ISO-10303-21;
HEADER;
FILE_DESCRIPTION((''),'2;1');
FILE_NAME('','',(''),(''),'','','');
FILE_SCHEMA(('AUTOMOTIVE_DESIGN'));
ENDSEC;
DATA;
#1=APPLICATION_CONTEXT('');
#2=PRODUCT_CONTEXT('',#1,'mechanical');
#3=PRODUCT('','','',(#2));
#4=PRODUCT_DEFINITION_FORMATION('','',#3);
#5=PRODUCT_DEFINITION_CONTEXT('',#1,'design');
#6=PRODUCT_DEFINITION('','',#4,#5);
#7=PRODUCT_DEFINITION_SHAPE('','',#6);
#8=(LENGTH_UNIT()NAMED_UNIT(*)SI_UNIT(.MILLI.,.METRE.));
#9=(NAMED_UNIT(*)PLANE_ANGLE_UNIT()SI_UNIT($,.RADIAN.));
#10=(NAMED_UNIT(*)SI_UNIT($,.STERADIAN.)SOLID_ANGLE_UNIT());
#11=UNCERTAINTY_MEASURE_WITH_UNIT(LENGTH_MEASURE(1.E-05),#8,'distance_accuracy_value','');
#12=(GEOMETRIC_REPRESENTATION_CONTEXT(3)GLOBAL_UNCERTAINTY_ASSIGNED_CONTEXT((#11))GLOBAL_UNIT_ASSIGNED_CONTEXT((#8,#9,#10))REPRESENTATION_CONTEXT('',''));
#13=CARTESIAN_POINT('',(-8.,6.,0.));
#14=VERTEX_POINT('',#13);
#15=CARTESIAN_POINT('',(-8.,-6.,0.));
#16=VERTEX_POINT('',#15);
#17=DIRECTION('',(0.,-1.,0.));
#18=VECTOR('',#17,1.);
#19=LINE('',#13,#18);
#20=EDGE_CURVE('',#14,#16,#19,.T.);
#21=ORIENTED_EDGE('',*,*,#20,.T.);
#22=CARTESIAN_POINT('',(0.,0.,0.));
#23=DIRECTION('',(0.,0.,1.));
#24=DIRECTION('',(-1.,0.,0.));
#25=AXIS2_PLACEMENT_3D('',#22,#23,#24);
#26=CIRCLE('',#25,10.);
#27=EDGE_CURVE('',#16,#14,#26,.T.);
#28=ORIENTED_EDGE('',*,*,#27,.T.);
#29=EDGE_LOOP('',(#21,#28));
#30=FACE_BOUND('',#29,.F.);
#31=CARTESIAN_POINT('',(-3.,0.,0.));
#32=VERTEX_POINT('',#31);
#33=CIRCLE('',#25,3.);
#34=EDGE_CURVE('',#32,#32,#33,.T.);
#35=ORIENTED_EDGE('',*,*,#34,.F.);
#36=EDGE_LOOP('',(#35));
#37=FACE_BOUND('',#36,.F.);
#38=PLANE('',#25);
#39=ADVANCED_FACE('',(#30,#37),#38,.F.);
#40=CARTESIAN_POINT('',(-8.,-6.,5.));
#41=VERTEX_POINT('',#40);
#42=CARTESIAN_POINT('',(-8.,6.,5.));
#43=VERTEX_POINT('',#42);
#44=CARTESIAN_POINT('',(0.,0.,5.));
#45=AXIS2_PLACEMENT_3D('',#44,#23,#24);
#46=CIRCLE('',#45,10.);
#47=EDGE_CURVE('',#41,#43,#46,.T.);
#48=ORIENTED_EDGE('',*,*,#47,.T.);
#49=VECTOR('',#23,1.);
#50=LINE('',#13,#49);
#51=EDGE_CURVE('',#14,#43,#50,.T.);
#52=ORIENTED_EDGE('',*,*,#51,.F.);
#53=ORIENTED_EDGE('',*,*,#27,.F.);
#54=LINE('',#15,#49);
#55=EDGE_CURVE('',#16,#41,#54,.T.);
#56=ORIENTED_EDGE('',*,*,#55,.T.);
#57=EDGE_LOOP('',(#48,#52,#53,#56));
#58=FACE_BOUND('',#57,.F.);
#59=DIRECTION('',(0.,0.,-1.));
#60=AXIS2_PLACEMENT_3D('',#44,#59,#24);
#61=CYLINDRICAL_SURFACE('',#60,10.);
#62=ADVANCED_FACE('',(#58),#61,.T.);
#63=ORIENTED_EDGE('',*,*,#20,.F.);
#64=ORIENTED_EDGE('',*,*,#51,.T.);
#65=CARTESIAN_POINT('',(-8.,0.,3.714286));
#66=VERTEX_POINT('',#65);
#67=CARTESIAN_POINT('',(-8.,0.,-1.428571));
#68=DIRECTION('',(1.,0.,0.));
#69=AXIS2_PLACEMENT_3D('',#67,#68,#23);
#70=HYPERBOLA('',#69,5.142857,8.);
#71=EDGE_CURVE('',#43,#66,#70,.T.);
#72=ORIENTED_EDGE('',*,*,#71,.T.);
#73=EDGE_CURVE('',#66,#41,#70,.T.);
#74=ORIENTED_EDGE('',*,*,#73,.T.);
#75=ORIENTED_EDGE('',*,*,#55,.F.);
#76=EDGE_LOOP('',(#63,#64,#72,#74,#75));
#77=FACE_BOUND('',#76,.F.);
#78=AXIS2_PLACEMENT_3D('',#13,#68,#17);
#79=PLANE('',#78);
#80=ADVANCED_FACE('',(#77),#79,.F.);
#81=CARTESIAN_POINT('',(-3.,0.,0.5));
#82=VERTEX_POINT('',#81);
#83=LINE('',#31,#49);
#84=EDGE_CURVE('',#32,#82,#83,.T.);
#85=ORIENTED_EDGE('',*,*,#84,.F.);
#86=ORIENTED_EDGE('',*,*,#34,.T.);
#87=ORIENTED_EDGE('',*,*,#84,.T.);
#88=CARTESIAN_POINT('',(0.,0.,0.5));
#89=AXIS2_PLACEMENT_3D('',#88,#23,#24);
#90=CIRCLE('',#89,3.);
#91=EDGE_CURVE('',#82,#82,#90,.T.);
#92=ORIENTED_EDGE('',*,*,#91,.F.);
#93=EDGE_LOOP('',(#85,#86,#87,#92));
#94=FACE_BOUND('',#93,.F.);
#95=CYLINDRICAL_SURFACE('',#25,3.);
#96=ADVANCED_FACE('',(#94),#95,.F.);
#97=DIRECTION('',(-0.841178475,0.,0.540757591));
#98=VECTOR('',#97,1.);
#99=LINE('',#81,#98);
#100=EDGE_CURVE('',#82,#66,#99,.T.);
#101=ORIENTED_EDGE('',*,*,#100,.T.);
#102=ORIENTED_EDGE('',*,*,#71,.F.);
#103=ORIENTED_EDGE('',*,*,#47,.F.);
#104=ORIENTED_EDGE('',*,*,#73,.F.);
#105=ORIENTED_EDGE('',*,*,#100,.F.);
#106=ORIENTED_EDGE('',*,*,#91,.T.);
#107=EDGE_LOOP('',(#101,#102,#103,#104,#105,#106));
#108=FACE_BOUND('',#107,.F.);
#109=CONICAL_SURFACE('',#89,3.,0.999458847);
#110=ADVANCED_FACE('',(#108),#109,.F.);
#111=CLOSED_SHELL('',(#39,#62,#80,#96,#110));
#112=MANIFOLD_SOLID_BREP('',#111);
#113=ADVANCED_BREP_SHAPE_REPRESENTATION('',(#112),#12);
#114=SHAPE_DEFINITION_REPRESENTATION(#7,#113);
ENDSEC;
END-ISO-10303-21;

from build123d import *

# Parameters (mm, degrees)
F3_DEPTH = 25


with BuildPart() as f1:
    # F0 (on Front) → F1 (revolve)
    with BuildSketch(Plane.XZ):
        Polygon((-10, 0), (-3, 0), (-3, 0.5), (-10, 5), align=None)
    revolve(axis=Axis((0, 0, 1.87613), (0, 0, 1)))

    # F2 (on face) → F3 (cut)
    with BuildSketch(Plane(origin=(0, 0, 0), x_dir=(1, 0, 0), z_dir=(0, 0, -1))):
        with BuildLine():
            Line((-8, -6), (-8, 6))
            ThreePointArc((-8, 6), (-10, 0), (-8, -6))
        make_face()
    extrude(amount=-F3_DEPTH, mode=Mode.SUBTRACT)


solid = f1.part
